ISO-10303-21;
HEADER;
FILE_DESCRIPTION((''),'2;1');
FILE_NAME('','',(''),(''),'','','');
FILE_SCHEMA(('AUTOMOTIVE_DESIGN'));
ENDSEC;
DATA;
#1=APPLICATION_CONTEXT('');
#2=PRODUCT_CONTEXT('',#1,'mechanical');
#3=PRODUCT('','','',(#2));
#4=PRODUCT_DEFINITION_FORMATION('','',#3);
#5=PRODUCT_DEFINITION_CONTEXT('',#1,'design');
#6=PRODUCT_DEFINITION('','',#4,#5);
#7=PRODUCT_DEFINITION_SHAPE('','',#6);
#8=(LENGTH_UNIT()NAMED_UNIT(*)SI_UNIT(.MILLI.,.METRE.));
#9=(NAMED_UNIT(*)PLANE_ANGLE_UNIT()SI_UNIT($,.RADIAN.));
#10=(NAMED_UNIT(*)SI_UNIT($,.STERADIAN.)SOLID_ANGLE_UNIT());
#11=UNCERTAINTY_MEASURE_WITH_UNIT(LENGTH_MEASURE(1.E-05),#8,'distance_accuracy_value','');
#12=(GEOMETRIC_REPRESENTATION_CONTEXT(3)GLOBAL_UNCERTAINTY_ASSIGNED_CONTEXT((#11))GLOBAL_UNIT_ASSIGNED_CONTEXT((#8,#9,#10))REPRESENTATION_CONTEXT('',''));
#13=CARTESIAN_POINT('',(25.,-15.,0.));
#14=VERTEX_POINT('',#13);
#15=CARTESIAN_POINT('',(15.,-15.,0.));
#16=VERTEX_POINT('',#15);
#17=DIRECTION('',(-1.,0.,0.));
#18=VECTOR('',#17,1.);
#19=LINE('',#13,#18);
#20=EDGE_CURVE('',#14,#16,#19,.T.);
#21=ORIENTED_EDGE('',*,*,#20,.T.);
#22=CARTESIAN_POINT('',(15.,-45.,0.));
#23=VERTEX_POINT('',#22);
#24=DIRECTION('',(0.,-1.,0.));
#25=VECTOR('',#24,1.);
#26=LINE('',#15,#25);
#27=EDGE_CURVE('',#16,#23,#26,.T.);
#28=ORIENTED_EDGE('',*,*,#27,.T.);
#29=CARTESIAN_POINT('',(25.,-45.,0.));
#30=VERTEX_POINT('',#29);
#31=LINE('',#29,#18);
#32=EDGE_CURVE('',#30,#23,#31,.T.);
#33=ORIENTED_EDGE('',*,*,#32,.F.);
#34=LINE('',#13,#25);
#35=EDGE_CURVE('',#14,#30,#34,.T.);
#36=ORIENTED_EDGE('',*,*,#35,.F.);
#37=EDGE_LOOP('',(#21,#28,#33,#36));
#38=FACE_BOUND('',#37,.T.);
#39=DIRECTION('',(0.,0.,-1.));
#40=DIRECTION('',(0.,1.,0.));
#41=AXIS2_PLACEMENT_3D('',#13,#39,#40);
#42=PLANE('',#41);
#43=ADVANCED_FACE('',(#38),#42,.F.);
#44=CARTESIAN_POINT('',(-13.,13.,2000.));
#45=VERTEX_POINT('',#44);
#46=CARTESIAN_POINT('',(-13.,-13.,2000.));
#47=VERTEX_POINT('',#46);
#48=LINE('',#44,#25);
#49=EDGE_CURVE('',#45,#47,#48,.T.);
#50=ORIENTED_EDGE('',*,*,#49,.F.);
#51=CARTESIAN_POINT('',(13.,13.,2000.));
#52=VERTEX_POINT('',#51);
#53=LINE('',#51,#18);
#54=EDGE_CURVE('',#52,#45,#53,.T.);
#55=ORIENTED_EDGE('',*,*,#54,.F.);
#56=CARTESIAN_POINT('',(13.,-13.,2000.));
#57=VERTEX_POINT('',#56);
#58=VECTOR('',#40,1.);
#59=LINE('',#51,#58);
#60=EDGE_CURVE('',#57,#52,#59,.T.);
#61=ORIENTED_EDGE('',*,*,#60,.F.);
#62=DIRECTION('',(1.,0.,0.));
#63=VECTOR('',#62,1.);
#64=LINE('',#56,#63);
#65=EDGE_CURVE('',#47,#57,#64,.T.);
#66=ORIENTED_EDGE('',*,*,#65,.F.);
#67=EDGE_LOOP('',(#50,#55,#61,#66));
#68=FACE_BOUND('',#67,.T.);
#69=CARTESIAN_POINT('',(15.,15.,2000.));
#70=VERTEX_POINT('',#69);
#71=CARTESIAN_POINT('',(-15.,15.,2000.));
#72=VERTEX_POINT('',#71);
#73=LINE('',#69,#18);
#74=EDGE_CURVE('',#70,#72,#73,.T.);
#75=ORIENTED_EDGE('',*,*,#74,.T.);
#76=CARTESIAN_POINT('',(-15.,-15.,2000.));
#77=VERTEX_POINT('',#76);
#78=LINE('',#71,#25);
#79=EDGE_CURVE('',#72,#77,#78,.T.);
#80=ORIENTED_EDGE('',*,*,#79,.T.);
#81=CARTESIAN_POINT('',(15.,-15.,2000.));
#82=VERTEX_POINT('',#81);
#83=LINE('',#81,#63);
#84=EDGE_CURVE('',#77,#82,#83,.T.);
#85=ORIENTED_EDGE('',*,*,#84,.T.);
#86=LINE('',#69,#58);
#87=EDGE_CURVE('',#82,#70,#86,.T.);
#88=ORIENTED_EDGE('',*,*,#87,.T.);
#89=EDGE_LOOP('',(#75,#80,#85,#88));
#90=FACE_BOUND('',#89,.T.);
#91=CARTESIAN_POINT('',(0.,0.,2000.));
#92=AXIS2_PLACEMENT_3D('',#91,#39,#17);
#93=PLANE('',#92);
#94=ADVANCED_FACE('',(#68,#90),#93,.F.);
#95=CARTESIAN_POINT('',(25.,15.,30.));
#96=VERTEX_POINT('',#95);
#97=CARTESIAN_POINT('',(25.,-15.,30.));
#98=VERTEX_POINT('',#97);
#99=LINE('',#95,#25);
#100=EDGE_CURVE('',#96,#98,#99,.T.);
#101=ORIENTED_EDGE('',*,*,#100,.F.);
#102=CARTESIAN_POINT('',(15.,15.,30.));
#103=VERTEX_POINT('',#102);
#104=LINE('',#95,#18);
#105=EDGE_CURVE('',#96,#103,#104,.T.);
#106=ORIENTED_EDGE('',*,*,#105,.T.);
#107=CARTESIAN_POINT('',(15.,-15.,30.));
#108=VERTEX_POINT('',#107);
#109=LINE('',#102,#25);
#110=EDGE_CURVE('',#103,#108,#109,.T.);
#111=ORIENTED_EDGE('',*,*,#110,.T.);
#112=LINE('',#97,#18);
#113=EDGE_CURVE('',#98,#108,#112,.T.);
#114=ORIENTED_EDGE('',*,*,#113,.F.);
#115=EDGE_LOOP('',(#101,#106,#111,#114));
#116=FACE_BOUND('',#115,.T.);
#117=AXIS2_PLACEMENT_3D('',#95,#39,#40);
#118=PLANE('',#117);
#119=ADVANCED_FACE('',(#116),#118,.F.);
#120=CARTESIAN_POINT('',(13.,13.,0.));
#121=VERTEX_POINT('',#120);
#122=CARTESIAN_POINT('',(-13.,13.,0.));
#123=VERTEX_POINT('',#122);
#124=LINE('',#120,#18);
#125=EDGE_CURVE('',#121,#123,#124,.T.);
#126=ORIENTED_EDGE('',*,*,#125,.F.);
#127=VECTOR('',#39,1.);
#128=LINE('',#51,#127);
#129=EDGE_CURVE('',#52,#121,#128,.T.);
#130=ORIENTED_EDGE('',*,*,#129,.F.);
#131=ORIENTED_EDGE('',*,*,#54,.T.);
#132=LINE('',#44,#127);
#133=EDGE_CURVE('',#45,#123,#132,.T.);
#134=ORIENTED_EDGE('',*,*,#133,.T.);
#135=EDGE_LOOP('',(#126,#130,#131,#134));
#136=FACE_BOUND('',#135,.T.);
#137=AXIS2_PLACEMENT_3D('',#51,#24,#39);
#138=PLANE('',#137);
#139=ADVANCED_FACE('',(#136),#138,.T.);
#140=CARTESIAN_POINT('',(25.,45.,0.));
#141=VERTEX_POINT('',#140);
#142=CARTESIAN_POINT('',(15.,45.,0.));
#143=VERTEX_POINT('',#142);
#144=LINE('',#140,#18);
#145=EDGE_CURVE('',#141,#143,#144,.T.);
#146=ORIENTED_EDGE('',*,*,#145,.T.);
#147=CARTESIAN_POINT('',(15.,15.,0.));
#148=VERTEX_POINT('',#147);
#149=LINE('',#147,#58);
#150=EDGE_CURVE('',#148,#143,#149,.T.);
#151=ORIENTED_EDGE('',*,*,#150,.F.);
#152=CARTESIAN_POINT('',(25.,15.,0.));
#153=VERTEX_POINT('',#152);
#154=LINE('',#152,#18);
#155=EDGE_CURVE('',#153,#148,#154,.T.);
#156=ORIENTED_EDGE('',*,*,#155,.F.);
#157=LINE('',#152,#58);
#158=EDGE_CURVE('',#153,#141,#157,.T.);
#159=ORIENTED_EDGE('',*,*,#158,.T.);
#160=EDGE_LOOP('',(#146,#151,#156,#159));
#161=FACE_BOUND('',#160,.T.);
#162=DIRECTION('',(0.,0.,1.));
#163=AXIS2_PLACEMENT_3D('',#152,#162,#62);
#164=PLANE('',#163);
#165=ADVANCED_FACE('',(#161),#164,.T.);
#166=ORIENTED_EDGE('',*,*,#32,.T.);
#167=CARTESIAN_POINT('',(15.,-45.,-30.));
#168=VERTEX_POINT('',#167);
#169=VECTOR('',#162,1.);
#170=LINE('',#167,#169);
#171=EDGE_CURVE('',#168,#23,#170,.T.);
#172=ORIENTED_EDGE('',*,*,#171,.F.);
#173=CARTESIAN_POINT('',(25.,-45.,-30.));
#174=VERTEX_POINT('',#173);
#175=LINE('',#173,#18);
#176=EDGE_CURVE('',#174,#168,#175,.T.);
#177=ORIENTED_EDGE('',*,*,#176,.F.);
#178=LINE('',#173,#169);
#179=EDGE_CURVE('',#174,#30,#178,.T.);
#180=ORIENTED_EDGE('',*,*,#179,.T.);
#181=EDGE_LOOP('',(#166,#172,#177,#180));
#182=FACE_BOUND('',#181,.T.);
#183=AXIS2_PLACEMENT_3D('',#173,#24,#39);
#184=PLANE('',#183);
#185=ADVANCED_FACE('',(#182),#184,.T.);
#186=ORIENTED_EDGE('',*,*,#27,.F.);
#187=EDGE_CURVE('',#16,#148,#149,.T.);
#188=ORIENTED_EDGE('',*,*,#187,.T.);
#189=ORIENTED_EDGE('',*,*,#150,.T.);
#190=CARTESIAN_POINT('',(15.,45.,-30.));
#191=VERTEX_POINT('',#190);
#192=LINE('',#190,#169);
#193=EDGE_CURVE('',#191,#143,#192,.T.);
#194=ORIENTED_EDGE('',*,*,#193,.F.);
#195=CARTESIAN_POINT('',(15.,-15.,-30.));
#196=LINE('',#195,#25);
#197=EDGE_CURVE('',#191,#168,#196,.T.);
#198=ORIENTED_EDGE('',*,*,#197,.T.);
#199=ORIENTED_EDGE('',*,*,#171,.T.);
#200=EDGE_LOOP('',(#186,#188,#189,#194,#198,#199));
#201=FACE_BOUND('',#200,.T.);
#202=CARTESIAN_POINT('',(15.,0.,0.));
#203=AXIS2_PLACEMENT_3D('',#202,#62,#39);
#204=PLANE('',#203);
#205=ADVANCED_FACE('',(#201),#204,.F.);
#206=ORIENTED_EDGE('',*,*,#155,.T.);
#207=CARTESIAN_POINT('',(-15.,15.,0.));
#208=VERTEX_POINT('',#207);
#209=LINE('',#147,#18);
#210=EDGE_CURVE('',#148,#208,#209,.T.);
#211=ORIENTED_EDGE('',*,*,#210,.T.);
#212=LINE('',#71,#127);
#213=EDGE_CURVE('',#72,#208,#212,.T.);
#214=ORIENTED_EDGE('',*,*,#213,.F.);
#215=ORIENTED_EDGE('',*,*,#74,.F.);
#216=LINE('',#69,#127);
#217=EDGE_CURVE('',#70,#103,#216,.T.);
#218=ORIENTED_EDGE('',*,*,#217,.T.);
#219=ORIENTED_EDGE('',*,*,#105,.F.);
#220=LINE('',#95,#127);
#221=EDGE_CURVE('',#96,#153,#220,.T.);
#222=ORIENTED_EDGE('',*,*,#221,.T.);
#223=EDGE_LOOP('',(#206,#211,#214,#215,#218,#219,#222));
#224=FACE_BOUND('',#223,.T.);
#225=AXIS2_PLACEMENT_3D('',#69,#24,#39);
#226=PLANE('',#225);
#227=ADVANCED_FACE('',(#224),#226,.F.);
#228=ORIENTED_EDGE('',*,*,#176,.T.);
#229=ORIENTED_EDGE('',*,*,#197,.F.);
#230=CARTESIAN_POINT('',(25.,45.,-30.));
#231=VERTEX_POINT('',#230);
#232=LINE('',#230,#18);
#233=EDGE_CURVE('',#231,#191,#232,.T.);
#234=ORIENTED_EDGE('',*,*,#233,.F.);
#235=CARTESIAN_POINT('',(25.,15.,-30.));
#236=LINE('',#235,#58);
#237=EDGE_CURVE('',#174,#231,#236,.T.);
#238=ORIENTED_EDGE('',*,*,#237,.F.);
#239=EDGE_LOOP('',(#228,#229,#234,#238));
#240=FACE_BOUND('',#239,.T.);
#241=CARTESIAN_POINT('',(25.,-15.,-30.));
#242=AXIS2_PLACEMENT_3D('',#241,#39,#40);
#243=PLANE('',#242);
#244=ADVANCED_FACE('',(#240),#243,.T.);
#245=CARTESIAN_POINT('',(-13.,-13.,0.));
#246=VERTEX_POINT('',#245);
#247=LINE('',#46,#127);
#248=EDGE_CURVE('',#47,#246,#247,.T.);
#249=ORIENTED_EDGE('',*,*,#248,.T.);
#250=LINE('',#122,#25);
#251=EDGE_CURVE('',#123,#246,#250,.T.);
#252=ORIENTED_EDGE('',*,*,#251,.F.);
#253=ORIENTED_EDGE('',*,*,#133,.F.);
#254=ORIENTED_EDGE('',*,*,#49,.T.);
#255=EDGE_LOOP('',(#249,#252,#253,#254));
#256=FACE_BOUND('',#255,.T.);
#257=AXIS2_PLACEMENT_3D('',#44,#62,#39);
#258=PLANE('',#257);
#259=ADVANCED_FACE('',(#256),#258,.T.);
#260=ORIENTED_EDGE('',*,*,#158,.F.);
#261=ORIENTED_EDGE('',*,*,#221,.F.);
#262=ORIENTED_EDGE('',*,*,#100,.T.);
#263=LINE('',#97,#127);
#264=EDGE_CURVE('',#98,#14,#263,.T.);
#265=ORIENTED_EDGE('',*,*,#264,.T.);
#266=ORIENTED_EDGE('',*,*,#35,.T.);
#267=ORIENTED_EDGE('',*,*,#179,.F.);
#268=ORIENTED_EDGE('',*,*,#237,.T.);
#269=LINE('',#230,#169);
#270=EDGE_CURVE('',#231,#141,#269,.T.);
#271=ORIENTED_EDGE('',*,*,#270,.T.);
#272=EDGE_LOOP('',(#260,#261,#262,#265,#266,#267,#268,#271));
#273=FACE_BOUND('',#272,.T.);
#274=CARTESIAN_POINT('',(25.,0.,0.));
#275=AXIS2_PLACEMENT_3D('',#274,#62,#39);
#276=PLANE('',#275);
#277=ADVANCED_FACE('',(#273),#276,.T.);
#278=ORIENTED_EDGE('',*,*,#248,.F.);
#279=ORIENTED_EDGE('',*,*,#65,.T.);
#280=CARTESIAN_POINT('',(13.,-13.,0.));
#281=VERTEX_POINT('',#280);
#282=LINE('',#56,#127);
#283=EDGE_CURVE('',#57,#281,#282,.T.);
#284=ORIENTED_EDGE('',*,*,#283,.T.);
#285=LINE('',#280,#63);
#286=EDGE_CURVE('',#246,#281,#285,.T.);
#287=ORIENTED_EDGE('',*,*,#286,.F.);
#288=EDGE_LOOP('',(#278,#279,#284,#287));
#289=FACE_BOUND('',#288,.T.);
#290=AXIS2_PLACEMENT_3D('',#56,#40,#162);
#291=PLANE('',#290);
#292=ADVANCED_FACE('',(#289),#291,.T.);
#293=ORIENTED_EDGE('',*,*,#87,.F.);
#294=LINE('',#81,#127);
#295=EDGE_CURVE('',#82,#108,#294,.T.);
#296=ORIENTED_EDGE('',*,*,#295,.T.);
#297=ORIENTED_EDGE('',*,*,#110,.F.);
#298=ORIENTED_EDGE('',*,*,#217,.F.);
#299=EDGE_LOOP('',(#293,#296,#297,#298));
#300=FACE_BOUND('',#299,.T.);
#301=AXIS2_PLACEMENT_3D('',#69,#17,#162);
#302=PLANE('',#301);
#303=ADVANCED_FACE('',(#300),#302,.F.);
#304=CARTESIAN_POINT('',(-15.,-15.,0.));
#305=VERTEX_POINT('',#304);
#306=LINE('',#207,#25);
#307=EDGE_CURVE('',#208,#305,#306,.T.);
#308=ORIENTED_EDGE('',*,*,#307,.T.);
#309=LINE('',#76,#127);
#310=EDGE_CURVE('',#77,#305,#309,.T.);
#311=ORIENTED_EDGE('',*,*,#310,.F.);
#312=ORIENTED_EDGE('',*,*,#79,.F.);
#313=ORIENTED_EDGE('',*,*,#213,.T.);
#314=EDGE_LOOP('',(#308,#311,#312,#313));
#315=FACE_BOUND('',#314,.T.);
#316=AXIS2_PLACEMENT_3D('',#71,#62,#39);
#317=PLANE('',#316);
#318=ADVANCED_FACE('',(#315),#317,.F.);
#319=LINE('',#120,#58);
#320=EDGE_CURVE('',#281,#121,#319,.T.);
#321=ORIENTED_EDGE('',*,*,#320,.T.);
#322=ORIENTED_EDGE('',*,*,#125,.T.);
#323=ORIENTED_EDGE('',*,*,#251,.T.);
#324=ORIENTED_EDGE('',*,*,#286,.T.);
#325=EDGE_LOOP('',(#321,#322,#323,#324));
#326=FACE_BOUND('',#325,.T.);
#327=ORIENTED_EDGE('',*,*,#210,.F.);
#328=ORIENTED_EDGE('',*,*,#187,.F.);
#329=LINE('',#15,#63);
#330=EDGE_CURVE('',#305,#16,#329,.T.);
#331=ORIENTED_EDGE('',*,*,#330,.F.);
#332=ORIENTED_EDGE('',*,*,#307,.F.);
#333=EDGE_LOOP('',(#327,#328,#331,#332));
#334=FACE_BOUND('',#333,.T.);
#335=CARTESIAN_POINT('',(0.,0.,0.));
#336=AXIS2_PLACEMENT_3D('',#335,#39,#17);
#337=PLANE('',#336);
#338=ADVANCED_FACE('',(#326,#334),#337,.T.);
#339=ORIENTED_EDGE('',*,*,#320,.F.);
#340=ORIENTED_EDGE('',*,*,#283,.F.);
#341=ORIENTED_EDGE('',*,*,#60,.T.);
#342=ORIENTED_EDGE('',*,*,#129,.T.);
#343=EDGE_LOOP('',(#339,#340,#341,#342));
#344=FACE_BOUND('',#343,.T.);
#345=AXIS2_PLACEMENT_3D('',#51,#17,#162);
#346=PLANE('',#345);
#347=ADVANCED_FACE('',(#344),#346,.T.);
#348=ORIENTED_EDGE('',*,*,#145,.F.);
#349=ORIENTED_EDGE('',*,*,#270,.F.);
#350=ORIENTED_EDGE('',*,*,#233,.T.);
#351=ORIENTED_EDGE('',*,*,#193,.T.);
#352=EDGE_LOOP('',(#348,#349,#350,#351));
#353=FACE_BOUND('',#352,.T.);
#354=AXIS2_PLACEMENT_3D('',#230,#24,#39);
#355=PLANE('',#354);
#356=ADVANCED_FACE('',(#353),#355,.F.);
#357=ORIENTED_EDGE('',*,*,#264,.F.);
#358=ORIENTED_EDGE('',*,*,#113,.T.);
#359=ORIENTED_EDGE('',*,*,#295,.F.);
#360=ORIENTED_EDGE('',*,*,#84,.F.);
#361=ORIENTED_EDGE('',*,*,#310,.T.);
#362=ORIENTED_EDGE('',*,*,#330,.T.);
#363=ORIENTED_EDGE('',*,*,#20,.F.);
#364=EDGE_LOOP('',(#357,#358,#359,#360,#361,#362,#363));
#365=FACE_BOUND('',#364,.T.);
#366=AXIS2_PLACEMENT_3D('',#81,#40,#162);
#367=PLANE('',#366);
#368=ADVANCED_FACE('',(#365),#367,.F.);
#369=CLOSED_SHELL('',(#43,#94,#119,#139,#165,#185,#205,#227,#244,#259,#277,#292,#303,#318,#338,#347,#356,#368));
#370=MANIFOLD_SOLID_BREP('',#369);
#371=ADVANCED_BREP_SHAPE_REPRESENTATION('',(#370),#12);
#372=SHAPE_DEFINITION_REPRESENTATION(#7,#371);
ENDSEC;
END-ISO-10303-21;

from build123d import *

# Parameters (mm, degrees)
SKETCH1_W           = 30
SKETCH1_H           = 30
SKETCH1_W_2         = 26
SKETCH1_H_2         = 26
BOSS_EXTRUDE1_DEPTH = 2000
BOSS_EXTRUDE2_DEPTH = 10


with BuildPart() as part:
    # Sketch1 → Boss-Extrude1 (new body)
    with BuildSketch(Plane.XY):
        Rectangle(SKETCH1_W, SKETCH1_H)
        Rectangle(SKETCH1_W_2, SKETCH1_H_2, mode=Mode.SUBTRACT)
    extrude(amount=BOSS_EXTRUDE1_DEPTH)

    # Sketch2 → Boss-Extrude2 (add)
    with BuildSketch(Plane(origin=(15, 0, 0), x_dir=(0, 0, -1), z_dir=(1, 0, 0))):
        Polygon((-30, 15), (0, 15), (0, 45), (30, 45), (30, 15), (30, -15), (30, -45), (0, -45), (0, -15), (-30, -15), align=None)
    extrude(amount=BOSS_EXTRUDE2_DEPTH)


solid = part.part
